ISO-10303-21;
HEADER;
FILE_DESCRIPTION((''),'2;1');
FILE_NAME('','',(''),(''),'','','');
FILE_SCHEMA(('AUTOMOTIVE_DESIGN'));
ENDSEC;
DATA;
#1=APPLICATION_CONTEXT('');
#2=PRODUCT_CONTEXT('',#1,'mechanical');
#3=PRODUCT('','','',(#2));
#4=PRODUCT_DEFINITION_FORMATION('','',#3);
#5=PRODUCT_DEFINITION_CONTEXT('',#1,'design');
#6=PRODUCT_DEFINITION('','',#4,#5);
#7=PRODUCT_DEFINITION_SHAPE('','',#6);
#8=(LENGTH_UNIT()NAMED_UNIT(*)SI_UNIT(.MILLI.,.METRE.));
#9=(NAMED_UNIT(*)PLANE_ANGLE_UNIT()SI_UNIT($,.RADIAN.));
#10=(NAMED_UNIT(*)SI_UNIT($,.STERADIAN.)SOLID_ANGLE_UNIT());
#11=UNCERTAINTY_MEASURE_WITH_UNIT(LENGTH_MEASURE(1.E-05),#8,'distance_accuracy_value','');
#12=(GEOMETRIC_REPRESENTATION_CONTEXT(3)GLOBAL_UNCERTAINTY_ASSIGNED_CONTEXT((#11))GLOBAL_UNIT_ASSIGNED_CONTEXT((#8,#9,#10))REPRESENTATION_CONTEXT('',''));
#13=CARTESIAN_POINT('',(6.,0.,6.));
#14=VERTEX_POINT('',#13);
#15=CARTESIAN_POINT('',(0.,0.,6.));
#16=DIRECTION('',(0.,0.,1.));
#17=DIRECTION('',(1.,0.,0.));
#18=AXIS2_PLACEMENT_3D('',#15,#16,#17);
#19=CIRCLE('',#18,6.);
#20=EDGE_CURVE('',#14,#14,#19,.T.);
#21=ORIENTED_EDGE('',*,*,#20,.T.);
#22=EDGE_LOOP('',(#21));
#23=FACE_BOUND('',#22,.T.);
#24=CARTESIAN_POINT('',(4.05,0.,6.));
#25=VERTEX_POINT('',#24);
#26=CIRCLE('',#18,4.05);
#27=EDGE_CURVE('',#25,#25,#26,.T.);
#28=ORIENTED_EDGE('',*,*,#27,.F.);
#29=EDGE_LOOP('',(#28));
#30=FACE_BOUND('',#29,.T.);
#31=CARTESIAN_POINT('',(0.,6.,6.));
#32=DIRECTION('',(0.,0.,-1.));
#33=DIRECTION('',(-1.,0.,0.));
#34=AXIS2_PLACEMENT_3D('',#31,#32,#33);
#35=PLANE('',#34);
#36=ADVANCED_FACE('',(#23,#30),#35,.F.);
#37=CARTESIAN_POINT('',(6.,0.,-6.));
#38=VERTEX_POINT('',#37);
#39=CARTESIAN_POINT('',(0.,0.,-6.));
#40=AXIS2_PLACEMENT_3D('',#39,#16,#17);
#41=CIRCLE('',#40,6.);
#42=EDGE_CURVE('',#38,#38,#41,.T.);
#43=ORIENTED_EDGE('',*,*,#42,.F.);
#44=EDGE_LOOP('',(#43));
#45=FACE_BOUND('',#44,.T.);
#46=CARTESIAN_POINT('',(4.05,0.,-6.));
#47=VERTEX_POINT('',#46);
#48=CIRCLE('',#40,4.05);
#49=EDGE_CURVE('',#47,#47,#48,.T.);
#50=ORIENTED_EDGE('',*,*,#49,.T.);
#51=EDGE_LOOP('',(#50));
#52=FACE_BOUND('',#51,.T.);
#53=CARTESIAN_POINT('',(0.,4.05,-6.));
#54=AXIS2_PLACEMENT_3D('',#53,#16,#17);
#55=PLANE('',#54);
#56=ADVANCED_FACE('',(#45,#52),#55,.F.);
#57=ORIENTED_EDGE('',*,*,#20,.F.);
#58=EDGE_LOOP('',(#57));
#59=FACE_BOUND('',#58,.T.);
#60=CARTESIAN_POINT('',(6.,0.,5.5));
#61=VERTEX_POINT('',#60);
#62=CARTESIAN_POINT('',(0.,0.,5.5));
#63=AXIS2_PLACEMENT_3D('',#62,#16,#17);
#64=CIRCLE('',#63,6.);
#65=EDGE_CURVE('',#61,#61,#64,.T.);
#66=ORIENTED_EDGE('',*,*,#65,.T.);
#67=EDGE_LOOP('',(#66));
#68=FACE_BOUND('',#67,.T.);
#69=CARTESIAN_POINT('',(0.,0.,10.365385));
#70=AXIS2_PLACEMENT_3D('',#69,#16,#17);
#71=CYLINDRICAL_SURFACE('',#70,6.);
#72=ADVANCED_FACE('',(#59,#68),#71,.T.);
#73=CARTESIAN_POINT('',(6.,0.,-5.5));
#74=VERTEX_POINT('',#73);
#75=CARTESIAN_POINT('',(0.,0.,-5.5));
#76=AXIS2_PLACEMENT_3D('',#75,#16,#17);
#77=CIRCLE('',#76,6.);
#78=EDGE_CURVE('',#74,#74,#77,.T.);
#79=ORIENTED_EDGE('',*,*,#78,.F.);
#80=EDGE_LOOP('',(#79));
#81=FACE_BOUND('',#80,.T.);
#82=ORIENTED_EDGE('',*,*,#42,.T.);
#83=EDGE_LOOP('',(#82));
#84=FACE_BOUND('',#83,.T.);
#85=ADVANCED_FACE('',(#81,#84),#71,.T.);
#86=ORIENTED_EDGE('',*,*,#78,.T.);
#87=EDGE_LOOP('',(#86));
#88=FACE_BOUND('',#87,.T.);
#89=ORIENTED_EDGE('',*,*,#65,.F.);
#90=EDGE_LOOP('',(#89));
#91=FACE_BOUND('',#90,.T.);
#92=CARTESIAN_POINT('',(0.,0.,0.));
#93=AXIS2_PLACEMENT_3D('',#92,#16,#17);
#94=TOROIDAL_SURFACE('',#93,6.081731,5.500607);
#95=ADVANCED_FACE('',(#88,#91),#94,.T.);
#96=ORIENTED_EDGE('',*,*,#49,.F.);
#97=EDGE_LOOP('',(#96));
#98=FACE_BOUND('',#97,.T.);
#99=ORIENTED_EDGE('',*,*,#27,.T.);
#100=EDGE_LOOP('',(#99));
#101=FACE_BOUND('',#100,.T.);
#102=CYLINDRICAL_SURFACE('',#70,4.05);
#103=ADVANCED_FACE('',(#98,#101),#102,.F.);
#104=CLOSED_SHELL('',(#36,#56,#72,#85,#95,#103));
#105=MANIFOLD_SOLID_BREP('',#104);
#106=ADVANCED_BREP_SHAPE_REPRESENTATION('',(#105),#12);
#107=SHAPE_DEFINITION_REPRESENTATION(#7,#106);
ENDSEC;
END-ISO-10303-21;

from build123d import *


with BuildPart() as part:
    # Sketch1 → Revolve1 (revolve)
    with BuildSketch(Plane(origin=(0, 0, 0), x_dir=(0, 0, -1), z_dir=(1, 0, 0))):
        with BuildLine():
            Line((-5.5, 6), (-6, 6))
            Line((-6, 6), (-6, 4.05))
            Line((-6, 4.05), (6, 4.05))
            Line((6, 4.05), (6, 6))
            Line((6, 6), (5.5, 6))
            ThreePointArc((5.5, 6), (0, 11.582338001), (-5.5, 6))
        make_face()
    revolve(axis=Axis((0, 0, 10.365384615), (0, 0, -1)))


solid = part.part
